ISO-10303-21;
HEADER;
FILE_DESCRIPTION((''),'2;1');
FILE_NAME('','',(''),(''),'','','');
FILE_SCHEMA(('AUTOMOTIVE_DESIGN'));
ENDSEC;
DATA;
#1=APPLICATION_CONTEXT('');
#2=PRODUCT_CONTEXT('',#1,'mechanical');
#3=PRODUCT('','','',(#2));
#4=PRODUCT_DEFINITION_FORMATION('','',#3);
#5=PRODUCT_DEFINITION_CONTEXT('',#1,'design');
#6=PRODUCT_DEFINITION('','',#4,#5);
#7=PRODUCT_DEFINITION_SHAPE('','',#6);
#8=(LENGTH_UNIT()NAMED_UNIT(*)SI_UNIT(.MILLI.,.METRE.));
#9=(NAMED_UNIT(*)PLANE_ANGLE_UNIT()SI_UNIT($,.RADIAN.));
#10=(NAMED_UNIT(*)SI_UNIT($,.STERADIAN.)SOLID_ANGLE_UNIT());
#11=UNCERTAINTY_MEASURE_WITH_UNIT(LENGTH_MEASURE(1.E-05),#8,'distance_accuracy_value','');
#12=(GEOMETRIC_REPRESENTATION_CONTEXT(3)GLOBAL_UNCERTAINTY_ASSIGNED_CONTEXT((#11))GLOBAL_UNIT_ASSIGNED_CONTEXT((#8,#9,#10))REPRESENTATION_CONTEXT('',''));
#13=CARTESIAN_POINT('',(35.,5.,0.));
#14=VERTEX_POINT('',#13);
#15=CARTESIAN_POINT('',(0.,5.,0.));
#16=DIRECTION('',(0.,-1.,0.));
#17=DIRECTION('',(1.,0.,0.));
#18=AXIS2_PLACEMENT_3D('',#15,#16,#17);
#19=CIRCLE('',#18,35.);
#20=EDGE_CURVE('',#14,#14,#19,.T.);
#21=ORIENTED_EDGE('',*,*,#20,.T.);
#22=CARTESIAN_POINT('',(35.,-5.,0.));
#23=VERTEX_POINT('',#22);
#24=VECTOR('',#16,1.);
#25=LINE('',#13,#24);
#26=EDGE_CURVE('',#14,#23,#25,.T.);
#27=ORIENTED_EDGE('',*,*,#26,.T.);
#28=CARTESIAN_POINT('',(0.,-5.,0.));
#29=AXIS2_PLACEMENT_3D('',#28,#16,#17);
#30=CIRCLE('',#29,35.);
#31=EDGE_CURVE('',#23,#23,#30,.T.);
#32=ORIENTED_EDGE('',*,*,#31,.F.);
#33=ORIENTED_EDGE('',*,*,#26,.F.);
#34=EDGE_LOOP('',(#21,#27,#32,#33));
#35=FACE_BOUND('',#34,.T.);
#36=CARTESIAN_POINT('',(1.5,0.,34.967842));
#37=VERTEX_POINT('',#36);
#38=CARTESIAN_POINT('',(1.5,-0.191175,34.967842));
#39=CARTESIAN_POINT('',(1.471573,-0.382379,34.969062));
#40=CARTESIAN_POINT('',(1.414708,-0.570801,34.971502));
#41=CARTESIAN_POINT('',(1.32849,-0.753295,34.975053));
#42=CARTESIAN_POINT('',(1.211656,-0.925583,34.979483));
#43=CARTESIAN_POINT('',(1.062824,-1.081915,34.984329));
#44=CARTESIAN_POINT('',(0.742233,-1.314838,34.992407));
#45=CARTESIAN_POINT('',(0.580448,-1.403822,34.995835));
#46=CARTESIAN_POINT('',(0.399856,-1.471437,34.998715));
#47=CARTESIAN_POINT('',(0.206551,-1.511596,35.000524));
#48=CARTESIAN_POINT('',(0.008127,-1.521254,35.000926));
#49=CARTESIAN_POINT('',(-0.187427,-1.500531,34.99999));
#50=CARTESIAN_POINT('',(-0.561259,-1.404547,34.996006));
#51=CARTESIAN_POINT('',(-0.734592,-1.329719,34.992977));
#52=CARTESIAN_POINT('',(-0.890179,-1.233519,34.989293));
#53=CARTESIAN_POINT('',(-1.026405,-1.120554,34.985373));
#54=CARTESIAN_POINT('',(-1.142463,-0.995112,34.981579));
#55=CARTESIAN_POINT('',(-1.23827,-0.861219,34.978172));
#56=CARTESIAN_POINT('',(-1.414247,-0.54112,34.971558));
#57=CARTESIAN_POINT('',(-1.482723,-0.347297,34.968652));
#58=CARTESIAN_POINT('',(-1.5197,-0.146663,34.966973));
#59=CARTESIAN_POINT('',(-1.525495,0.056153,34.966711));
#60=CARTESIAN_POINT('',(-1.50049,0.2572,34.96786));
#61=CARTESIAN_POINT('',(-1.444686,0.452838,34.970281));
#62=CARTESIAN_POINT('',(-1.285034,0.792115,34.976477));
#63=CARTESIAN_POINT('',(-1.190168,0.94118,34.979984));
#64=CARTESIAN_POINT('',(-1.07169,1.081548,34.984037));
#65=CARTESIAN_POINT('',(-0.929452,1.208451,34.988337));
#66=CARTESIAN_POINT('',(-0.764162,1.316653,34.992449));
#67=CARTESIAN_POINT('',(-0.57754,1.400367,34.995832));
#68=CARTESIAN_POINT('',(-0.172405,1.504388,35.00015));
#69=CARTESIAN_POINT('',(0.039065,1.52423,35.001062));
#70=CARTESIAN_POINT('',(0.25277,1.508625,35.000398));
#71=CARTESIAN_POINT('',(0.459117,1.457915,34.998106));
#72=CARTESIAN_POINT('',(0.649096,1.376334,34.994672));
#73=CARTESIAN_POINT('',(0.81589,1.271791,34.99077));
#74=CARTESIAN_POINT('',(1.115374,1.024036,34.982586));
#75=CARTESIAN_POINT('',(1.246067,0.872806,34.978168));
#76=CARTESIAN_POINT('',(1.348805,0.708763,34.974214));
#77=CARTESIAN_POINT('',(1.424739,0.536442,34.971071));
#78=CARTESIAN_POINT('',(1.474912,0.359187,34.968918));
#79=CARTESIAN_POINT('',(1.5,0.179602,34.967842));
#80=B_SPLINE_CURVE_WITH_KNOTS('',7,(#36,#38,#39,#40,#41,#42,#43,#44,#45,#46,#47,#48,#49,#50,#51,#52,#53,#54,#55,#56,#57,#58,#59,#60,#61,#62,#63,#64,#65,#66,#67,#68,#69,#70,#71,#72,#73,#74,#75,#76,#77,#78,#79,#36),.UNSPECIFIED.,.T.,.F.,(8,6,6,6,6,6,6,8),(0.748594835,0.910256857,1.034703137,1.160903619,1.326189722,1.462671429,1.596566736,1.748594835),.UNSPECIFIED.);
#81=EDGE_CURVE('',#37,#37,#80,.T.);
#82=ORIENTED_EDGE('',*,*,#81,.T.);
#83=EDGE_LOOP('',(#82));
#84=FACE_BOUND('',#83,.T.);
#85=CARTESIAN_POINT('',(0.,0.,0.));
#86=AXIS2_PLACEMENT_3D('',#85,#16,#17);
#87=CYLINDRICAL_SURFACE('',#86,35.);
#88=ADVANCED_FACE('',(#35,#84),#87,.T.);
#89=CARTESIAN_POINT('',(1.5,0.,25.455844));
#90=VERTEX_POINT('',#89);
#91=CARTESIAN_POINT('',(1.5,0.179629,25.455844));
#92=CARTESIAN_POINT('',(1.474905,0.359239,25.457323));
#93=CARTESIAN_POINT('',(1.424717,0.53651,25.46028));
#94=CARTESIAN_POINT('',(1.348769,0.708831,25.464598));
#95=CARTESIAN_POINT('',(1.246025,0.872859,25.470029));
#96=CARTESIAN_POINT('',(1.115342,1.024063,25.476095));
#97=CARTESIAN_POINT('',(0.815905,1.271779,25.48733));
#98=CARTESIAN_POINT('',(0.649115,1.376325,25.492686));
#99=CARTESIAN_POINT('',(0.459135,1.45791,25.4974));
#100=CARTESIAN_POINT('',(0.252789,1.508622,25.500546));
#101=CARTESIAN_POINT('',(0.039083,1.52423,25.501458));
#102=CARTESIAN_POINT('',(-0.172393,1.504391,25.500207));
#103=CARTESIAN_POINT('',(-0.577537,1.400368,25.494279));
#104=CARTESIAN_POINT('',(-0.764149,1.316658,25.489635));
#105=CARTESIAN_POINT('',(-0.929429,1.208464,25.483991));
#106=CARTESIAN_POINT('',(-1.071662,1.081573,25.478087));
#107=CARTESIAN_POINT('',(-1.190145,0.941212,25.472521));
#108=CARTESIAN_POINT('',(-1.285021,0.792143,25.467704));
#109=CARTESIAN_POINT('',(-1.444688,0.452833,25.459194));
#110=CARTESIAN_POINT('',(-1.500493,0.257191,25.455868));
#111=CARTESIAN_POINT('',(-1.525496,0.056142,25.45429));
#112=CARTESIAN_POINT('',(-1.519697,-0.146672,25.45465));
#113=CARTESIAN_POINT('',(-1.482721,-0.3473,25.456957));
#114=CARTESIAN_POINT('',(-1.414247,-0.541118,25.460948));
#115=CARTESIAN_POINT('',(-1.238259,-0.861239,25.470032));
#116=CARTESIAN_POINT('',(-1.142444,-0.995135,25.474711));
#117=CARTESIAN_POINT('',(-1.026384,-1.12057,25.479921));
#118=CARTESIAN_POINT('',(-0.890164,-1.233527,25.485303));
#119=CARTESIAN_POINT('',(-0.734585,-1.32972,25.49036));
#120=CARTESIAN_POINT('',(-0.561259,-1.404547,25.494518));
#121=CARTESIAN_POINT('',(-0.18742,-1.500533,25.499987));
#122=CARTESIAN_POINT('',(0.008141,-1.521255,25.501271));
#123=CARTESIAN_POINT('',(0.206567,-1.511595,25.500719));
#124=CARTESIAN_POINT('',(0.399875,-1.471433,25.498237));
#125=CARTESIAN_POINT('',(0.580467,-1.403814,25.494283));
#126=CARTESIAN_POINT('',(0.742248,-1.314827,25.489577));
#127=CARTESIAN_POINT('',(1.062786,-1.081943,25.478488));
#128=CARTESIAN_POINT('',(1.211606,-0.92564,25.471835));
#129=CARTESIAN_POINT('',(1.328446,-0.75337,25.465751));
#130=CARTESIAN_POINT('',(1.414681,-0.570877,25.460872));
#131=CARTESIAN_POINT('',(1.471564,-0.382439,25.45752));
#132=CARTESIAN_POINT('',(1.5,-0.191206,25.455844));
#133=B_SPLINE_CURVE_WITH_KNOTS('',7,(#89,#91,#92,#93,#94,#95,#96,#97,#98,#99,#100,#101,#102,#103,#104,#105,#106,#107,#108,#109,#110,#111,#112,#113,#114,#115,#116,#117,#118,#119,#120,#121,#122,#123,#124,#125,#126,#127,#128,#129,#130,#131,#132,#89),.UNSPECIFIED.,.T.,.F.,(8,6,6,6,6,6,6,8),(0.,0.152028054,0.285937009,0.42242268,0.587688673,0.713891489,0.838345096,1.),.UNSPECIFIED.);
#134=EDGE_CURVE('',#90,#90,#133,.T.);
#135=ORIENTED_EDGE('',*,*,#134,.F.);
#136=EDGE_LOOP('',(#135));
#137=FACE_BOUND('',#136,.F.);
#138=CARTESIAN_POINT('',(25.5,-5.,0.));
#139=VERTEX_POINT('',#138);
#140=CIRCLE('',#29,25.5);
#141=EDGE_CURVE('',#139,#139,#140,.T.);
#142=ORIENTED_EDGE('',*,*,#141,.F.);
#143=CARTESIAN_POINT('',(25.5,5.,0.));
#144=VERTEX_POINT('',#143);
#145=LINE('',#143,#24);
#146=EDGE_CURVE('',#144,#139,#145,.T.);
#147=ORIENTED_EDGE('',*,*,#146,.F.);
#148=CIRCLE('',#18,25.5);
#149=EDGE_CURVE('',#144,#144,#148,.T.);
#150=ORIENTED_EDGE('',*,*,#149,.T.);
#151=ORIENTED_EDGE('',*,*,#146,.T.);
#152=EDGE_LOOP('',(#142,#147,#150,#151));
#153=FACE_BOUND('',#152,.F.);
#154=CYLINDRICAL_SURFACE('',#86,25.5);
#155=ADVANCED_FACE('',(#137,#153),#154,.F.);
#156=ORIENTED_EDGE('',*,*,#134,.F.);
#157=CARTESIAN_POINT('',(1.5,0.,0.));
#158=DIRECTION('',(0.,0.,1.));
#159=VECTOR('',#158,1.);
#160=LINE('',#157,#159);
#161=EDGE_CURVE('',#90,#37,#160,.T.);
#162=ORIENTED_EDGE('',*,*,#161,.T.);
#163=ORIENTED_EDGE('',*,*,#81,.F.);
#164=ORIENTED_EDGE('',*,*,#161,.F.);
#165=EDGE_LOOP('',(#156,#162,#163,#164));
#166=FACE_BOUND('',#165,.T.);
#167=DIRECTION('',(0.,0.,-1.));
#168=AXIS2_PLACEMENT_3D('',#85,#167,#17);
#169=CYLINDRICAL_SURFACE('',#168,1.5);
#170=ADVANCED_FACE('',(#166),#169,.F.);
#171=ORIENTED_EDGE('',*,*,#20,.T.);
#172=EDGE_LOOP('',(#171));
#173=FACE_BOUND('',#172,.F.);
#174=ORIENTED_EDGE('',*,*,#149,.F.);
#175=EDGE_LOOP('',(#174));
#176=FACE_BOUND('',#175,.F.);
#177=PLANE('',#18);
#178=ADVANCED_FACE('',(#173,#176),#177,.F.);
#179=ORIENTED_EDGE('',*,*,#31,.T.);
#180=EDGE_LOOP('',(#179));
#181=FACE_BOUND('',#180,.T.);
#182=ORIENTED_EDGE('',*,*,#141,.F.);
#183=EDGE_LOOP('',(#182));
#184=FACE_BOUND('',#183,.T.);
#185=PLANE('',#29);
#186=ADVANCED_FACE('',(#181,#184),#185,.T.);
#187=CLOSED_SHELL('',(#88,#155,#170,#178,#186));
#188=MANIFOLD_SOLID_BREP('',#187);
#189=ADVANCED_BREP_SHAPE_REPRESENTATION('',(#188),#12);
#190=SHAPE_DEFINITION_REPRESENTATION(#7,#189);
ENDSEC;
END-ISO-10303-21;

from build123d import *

# Parameters (mm, degrees)
F0_R     = 35
F1_DEPTH = 5
F2_R     = 25.5
F3_DEPTH = 5
F4_R     = 1.5
F5_DEPTH = 35


with BuildPart() as f1:
    # F0 (on Front) → F1 (new body, symmetric)
    with BuildSketch(Plane.XZ):
        Circle(F0_R)
    extrude(amount=F1_DEPTH, both=True)

    # F2 (on face) → F3 (cut, symmetric)
    with BuildSketch(Plane.XZ):
        Circle(F2_R)
    extrude(amount=F3_DEPTH, both=True, mode=Mode.SUBTRACT)

    # F4 (on Top) → F5 (cut)
    with BuildSketch(Plane.XY):
        Circle(F4_R)
    extrude(amount=F5_DEPTH, mode=Mode.SUBTRACT)


solid = f1.part
